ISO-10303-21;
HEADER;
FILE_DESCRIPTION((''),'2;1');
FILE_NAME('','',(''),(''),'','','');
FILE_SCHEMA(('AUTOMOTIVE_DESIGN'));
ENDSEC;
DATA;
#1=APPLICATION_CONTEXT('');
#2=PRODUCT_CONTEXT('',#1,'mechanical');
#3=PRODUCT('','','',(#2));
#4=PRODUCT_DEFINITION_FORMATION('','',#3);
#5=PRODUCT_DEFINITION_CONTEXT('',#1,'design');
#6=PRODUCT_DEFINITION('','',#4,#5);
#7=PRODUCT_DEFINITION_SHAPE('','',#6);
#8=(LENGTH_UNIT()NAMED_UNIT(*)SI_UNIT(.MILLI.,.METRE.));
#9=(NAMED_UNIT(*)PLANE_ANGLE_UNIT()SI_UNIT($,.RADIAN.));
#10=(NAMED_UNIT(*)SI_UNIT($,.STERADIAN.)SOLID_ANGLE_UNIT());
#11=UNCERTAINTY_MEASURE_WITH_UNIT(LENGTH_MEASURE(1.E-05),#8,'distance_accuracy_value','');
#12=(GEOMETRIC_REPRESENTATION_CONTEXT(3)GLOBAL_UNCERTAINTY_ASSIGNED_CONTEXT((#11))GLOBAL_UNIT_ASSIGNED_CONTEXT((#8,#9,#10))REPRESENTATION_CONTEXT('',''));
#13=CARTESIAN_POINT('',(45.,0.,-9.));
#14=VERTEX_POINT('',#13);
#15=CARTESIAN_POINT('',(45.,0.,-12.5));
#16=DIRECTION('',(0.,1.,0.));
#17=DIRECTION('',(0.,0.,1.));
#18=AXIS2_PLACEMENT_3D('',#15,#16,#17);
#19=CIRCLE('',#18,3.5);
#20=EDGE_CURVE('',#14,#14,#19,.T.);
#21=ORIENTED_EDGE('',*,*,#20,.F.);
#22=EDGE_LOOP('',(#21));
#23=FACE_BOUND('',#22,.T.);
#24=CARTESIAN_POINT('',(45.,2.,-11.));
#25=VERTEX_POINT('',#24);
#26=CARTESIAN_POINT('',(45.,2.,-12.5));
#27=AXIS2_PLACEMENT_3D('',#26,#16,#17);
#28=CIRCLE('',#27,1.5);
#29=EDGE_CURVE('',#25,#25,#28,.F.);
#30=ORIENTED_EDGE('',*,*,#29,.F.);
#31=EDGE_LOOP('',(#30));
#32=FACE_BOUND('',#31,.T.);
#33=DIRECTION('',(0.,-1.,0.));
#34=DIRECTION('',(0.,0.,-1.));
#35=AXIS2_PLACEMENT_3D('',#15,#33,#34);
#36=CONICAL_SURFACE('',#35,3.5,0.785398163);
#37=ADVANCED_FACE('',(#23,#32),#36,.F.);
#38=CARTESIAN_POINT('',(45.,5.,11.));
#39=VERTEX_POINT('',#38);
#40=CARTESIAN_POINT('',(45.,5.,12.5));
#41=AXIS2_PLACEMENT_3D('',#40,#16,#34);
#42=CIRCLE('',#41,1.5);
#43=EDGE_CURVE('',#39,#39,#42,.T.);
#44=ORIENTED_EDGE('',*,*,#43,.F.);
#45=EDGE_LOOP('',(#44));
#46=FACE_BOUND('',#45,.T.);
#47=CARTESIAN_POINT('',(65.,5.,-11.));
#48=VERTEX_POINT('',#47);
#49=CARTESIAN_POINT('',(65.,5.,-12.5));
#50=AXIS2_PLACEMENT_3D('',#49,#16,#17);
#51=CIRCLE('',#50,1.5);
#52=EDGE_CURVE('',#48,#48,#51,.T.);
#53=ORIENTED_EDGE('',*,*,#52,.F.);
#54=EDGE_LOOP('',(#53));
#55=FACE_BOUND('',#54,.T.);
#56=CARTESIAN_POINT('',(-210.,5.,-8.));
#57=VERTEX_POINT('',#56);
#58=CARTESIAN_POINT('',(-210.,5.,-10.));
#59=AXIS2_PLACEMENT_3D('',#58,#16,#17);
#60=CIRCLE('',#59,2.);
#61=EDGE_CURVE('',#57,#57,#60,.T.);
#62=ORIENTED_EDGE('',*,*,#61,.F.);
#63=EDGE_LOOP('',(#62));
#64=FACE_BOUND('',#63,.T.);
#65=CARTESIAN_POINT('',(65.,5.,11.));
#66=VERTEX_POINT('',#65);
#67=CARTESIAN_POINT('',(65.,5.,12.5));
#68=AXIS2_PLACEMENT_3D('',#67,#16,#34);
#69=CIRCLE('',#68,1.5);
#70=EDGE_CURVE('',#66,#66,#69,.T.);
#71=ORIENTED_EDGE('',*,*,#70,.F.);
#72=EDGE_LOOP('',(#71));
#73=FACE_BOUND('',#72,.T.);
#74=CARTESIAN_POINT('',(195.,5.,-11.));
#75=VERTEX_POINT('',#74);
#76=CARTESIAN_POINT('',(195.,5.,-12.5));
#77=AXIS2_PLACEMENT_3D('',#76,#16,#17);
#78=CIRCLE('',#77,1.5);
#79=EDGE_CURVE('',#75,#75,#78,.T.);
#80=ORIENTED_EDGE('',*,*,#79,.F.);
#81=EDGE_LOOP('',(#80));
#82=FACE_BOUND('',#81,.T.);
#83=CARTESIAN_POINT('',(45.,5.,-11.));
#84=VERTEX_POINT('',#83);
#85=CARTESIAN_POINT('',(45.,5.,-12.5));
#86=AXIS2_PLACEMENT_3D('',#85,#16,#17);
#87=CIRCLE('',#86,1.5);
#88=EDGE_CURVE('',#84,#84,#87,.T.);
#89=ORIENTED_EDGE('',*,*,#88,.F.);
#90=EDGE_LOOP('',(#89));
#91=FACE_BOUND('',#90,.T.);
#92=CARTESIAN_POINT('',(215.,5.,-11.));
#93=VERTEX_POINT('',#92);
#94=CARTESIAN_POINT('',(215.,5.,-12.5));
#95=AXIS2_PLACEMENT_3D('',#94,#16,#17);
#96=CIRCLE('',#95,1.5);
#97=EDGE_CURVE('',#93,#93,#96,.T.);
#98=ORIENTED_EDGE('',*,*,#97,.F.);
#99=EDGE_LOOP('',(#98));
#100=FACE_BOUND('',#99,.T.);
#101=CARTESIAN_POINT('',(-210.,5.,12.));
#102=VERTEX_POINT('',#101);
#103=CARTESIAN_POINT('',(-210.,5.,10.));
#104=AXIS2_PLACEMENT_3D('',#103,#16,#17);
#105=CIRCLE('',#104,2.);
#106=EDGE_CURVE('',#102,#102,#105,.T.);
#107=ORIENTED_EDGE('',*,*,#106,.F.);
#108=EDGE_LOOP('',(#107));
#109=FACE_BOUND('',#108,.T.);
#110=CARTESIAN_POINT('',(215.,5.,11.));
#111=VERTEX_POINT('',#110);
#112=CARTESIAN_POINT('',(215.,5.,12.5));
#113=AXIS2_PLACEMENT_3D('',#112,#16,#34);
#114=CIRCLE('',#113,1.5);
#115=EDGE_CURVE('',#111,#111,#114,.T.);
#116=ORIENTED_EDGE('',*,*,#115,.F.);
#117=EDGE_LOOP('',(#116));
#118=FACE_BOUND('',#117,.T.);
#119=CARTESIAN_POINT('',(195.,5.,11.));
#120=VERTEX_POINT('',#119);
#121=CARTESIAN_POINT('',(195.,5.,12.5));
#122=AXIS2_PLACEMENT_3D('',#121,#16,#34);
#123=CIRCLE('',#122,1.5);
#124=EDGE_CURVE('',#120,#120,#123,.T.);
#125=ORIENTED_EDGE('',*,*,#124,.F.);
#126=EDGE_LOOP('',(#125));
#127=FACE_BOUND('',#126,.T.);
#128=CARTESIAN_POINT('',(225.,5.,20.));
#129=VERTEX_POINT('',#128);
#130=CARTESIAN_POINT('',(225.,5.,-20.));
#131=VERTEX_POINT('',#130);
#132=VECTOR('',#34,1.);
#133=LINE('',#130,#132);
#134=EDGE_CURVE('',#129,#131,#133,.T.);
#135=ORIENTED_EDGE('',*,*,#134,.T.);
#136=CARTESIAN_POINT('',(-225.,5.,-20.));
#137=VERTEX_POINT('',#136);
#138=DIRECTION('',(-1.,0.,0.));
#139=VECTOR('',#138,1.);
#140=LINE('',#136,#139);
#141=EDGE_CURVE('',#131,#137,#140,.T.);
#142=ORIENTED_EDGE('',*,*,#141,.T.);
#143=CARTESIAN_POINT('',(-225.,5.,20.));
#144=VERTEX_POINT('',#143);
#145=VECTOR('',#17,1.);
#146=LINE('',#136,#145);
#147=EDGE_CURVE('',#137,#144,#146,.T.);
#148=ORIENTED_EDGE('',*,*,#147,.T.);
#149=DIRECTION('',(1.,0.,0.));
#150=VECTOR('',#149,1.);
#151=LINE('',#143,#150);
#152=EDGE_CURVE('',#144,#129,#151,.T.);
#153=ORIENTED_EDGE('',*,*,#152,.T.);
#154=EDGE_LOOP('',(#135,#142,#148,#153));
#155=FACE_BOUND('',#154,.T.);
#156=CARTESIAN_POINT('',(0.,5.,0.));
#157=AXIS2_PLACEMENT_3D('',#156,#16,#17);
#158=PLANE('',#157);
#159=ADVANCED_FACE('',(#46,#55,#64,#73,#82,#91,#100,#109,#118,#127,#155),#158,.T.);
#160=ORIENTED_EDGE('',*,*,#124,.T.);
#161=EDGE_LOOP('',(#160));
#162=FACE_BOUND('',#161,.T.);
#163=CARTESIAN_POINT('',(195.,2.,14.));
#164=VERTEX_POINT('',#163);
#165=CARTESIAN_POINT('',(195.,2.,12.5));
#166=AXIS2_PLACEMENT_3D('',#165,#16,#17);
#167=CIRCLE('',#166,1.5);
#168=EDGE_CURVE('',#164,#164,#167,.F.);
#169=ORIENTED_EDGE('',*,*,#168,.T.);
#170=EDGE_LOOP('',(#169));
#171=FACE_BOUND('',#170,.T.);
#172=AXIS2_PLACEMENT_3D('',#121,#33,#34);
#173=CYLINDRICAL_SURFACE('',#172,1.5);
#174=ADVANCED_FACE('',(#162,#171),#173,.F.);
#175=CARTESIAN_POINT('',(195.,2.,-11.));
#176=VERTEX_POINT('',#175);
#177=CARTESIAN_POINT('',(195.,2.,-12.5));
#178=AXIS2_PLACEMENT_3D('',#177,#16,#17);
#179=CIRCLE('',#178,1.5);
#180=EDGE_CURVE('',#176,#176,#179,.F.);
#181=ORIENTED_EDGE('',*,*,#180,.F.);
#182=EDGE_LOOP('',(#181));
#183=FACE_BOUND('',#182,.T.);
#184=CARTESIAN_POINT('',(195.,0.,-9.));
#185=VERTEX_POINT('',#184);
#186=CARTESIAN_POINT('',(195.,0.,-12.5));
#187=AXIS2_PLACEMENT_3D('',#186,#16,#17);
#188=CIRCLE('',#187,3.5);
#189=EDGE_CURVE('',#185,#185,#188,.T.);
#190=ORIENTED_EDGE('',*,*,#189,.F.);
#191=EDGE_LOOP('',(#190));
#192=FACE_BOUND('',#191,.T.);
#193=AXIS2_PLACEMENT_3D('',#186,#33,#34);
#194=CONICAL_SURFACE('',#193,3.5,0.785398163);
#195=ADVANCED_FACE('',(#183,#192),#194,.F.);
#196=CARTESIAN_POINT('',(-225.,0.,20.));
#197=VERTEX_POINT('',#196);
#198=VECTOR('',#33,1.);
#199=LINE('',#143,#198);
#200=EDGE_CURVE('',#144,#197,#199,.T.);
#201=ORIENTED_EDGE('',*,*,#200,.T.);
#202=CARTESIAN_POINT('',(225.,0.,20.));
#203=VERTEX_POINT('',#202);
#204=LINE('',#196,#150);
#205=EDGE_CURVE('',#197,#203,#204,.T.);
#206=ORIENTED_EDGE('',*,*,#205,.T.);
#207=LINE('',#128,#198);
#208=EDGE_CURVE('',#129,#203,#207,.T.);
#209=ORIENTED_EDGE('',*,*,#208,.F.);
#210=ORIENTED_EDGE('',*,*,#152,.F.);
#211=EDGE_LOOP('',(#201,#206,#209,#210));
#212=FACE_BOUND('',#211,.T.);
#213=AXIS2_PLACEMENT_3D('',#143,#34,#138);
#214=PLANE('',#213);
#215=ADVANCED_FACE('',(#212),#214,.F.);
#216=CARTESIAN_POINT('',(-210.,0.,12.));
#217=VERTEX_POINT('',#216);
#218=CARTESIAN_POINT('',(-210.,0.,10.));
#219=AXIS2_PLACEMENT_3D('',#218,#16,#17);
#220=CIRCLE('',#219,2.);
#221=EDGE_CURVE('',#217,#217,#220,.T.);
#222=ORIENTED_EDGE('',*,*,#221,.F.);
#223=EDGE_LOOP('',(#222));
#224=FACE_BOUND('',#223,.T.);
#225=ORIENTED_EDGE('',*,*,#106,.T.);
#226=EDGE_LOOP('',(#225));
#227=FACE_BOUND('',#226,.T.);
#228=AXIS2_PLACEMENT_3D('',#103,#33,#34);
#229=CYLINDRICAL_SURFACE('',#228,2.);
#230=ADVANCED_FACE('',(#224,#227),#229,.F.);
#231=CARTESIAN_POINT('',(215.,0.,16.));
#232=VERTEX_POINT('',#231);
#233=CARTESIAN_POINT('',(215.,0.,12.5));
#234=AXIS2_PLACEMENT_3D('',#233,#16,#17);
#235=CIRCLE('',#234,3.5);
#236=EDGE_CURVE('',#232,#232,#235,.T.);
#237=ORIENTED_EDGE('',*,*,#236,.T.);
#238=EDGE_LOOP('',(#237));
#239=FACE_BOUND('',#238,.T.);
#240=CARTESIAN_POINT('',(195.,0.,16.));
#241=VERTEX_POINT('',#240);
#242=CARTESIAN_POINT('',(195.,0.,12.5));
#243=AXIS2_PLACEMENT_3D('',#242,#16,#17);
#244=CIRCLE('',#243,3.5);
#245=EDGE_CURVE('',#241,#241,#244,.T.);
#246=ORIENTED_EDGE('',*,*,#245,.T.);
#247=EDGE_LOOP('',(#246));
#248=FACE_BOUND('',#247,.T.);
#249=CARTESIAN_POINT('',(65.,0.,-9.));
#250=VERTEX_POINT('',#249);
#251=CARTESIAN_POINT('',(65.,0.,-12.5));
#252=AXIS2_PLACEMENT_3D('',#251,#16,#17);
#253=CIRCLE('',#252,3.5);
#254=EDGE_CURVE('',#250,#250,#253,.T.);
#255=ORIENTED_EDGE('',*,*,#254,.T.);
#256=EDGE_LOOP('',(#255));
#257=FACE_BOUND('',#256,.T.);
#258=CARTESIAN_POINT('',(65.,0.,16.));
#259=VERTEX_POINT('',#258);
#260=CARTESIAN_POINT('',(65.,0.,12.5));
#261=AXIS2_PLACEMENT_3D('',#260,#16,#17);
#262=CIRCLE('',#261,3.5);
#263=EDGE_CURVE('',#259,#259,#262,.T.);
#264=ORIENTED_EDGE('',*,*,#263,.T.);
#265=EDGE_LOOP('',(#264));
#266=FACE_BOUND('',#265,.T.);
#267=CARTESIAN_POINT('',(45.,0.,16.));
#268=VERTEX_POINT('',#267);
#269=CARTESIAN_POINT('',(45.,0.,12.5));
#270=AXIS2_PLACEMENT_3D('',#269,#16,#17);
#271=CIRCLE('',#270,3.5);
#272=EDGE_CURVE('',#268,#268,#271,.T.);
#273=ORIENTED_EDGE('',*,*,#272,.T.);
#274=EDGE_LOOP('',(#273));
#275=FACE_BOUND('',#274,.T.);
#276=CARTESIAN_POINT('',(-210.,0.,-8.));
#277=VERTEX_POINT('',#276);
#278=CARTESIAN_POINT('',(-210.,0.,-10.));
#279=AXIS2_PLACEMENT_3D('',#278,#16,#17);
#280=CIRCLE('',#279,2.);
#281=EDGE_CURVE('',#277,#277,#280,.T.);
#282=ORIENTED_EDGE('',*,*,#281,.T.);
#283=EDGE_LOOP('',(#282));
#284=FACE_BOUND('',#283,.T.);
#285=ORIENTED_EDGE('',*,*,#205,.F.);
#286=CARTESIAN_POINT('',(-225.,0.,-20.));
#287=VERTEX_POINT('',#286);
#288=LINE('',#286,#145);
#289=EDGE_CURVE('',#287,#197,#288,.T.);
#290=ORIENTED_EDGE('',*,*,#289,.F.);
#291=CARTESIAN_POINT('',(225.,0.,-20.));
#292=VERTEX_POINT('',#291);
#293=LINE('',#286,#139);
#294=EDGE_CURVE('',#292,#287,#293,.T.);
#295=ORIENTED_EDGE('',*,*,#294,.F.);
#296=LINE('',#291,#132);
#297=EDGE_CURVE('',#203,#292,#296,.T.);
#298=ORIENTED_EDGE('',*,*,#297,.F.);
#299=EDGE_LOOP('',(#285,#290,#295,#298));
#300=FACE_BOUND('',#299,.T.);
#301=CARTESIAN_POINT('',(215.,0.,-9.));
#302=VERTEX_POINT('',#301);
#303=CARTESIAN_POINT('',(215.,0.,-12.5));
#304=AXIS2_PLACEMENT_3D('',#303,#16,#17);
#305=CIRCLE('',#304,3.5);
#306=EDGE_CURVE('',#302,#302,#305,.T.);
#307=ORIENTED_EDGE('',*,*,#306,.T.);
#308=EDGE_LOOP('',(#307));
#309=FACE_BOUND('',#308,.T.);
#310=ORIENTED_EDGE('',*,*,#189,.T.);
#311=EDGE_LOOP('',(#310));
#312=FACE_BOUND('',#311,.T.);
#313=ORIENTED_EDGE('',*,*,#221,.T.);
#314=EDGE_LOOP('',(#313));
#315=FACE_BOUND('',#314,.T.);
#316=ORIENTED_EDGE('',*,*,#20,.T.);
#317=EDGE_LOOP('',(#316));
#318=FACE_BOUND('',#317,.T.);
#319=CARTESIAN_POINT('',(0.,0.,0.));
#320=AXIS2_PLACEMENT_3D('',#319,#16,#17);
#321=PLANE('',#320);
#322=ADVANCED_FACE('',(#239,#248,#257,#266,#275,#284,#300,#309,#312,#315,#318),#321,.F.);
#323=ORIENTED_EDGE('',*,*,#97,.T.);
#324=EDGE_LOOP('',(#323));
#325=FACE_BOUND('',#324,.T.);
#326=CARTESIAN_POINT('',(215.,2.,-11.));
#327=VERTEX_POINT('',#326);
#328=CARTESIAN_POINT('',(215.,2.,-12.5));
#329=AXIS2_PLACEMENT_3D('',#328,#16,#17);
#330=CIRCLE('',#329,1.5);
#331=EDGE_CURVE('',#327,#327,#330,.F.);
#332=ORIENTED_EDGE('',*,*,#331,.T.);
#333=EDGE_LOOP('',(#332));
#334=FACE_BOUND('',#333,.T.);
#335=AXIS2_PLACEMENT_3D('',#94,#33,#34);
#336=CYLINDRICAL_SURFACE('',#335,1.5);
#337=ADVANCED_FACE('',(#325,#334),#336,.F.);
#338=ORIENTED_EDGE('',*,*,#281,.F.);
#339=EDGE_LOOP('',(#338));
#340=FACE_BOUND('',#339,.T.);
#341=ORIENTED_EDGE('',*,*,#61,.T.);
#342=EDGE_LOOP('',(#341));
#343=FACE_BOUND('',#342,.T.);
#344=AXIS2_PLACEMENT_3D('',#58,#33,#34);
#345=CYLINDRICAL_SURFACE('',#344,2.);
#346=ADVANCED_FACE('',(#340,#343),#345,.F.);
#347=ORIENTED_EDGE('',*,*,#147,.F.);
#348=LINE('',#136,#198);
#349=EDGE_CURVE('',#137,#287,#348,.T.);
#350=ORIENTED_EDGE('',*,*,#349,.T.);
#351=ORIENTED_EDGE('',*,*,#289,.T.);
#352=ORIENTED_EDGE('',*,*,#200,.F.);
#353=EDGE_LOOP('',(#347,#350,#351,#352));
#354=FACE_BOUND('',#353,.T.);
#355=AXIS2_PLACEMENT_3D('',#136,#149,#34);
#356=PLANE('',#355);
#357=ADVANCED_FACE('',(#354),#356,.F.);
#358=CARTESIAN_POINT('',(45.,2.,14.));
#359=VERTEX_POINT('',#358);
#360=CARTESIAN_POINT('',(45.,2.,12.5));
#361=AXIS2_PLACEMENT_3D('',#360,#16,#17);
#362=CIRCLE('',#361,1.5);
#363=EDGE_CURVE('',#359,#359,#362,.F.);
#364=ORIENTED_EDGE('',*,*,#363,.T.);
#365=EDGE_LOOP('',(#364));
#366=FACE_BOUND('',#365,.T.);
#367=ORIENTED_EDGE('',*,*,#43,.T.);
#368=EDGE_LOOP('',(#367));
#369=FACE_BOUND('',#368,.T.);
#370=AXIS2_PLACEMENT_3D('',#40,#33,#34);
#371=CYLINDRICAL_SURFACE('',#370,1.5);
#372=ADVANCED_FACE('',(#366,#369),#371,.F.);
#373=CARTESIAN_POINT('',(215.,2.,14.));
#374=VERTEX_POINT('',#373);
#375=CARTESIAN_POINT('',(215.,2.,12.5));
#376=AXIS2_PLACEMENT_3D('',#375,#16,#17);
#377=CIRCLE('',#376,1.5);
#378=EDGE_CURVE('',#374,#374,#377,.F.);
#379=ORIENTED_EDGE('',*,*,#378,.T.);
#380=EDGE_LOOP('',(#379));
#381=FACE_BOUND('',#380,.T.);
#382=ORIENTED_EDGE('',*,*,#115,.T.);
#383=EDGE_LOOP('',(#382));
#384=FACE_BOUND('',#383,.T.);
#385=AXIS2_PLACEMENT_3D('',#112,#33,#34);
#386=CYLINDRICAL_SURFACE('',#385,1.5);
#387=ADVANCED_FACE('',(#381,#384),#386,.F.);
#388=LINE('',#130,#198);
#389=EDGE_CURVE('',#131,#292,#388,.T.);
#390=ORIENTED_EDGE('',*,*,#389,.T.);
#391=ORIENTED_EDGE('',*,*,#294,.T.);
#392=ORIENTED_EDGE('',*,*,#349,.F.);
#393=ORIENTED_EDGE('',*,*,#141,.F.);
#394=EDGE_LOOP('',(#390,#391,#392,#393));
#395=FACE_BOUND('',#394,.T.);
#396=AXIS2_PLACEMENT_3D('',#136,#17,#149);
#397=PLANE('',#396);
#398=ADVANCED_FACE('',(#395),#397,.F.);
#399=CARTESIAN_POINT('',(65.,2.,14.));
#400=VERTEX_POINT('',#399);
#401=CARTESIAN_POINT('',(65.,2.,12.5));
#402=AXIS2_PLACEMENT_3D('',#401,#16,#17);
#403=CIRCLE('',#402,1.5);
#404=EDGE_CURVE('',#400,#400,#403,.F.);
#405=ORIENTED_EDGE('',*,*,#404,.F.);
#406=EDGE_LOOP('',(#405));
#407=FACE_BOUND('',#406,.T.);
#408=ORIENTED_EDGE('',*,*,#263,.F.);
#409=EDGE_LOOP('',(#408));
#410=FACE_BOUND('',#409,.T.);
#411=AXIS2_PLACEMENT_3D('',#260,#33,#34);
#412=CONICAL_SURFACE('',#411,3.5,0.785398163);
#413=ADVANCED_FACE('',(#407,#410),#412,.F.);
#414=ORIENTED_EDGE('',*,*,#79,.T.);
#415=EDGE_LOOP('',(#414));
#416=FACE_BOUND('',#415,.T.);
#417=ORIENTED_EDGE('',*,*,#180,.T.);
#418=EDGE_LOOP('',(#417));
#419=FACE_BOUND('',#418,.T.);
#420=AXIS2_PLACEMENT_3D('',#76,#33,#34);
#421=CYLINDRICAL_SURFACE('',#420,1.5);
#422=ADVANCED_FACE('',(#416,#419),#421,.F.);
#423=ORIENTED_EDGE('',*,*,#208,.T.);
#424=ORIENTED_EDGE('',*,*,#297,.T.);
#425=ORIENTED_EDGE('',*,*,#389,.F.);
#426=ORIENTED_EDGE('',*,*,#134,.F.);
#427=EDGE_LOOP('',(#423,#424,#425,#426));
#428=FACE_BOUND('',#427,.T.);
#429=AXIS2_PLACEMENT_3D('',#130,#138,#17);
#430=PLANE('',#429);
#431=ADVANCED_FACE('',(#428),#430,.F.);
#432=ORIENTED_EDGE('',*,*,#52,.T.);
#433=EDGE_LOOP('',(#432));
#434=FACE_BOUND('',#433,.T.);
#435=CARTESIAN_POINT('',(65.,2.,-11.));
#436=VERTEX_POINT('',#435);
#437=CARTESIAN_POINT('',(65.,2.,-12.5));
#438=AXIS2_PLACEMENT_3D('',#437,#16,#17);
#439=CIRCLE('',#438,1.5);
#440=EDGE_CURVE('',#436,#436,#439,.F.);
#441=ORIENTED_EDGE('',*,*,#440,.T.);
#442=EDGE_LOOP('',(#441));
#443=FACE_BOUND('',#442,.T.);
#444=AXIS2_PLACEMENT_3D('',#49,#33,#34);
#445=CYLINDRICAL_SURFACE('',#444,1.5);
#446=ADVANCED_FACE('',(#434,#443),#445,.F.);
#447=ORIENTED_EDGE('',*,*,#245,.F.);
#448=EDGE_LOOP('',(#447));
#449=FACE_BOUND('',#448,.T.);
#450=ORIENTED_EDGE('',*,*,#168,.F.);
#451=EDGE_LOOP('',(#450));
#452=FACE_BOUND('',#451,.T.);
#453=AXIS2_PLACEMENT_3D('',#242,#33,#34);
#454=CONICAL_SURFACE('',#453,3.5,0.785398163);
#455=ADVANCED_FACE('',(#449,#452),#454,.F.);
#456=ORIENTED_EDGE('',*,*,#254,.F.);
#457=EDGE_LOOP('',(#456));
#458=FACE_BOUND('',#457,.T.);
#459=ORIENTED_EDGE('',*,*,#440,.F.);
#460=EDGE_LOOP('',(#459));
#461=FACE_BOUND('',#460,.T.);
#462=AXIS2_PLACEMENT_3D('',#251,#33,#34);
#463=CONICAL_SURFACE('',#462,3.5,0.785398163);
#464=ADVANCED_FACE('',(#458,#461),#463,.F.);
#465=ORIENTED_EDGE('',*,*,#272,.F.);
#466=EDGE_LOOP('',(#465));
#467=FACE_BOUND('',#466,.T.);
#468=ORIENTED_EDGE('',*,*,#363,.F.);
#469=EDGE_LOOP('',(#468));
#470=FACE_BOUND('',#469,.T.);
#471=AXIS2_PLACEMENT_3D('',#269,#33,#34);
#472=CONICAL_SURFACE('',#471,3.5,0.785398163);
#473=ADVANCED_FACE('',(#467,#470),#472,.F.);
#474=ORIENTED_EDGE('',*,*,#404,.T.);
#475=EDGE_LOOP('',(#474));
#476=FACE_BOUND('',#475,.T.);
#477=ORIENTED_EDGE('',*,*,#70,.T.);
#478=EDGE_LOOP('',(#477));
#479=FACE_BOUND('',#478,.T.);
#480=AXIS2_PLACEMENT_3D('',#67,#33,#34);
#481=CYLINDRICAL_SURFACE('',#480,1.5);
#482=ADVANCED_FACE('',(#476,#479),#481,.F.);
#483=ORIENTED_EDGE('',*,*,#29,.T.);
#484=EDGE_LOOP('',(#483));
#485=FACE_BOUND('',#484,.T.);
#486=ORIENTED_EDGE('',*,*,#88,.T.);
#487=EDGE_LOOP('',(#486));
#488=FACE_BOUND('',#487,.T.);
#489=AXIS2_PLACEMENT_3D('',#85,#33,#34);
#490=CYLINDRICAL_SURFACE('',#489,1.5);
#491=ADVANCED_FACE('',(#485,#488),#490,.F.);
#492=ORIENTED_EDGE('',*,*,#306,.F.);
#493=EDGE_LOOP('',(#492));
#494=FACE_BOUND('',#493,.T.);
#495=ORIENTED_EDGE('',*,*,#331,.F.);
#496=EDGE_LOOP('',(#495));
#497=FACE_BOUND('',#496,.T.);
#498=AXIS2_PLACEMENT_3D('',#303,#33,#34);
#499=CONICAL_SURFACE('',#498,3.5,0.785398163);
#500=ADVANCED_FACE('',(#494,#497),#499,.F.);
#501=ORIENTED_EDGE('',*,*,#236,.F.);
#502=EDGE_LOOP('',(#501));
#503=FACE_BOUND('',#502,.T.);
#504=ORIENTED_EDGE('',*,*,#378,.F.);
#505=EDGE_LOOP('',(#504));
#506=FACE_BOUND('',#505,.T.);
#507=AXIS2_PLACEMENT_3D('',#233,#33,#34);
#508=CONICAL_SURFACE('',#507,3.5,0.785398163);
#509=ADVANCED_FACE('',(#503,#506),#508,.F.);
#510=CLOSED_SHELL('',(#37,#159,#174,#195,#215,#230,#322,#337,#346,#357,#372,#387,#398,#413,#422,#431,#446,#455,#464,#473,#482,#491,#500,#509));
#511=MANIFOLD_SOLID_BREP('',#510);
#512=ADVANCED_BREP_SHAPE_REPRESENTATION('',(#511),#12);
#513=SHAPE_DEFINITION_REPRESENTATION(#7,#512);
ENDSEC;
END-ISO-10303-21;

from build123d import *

# Parameters (mm, degrees)
SKETCH_1_W      = 450
SKETCH_1_H      = 40
SKETCH_1_R      = 1.5
SKETCH_1_R_2    = 2
EXTRUDE_1_DEPTH = 5
CHAMFER_1_SIZE  = 2


with BuildPart() as part:
    # 草图1 → 凸台-拉伸1 (new body)
    with BuildSketch(Plane(origin=(0, 0, 0), x_dir=(1, 0, 0), z_dir=(0, 1, 0))):
        Rectangle(SKETCH_1_W, SKETCH_1_H)
        with Locations(Location((215, 12.5, 0), (0, 0, 270))):
            Circle(SKETCH_1_R, mode=Mode.SUBTRACT)
        with Locations(Location((195, 12.5, 0), (0, 0, 270))):
            Circle(SKETCH_1_R, mode=Mode.SUBTRACT)
        with Locations(Location((195, -12.5, 0), (0, 0, 90))):
            Circle(SKETCH_1_R, mode=Mode.SUBTRACT)
        with Locations(Location((215, -12.5, 0), (0, 0, 90))):
            Circle(SKETCH_1_R, mode=Mode.SUBTRACT)
        with Locations(Location((65, -12.5, 0), (0, 0, 90))):
            Circle(SKETCH_1_R, mode=Mode.SUBTRACT)
        with Locations(Location((45, 12.5, 0), (0, 0, 270))):
            Circle(SKETCH_1_R, mode=Mode.SUBTRACT)
        with Locations(Location((65, 12.5, 0), (0, 0, 270))):
            Circle(SKETCH_1_R, mode=Mode.SUBTRACT)
        with Locations(Location((45, -12.5, 0), (0, 0, 90))):
            Circle(SKETCH_1_R, mode=Mode.SUBTRACT)
        with Locations(Location((-210, 10, 0), (0, 0, 270))):
            Circle(SKETCH_1_R_2, mode=Mode.SUBTRACT)
        with Locations(Location((-210, -10, 0), (0, 0, 270))):
            Circle(SKETCH_1_R_2, mode=Mode.SUBTRACT)
    extrude(amount=EXTRUDE_1_DEPTH)

    # 倒角1
    chamfer_1_edges = [part.edges().sort_by_distance(p)[0] for p in [
        (215, 0, -14),
        (195, 0, -14),
        (195, 0, 14),
        (215, 0, 14),
        (65, 0, -14),
        (45, 0, -14),
        (45, 0, 14),
        (65, 0, 14),
    ]]
    chamfer(chamfer_1_edges, length=CHAMFER_1_SIZE)


solid = part.part
